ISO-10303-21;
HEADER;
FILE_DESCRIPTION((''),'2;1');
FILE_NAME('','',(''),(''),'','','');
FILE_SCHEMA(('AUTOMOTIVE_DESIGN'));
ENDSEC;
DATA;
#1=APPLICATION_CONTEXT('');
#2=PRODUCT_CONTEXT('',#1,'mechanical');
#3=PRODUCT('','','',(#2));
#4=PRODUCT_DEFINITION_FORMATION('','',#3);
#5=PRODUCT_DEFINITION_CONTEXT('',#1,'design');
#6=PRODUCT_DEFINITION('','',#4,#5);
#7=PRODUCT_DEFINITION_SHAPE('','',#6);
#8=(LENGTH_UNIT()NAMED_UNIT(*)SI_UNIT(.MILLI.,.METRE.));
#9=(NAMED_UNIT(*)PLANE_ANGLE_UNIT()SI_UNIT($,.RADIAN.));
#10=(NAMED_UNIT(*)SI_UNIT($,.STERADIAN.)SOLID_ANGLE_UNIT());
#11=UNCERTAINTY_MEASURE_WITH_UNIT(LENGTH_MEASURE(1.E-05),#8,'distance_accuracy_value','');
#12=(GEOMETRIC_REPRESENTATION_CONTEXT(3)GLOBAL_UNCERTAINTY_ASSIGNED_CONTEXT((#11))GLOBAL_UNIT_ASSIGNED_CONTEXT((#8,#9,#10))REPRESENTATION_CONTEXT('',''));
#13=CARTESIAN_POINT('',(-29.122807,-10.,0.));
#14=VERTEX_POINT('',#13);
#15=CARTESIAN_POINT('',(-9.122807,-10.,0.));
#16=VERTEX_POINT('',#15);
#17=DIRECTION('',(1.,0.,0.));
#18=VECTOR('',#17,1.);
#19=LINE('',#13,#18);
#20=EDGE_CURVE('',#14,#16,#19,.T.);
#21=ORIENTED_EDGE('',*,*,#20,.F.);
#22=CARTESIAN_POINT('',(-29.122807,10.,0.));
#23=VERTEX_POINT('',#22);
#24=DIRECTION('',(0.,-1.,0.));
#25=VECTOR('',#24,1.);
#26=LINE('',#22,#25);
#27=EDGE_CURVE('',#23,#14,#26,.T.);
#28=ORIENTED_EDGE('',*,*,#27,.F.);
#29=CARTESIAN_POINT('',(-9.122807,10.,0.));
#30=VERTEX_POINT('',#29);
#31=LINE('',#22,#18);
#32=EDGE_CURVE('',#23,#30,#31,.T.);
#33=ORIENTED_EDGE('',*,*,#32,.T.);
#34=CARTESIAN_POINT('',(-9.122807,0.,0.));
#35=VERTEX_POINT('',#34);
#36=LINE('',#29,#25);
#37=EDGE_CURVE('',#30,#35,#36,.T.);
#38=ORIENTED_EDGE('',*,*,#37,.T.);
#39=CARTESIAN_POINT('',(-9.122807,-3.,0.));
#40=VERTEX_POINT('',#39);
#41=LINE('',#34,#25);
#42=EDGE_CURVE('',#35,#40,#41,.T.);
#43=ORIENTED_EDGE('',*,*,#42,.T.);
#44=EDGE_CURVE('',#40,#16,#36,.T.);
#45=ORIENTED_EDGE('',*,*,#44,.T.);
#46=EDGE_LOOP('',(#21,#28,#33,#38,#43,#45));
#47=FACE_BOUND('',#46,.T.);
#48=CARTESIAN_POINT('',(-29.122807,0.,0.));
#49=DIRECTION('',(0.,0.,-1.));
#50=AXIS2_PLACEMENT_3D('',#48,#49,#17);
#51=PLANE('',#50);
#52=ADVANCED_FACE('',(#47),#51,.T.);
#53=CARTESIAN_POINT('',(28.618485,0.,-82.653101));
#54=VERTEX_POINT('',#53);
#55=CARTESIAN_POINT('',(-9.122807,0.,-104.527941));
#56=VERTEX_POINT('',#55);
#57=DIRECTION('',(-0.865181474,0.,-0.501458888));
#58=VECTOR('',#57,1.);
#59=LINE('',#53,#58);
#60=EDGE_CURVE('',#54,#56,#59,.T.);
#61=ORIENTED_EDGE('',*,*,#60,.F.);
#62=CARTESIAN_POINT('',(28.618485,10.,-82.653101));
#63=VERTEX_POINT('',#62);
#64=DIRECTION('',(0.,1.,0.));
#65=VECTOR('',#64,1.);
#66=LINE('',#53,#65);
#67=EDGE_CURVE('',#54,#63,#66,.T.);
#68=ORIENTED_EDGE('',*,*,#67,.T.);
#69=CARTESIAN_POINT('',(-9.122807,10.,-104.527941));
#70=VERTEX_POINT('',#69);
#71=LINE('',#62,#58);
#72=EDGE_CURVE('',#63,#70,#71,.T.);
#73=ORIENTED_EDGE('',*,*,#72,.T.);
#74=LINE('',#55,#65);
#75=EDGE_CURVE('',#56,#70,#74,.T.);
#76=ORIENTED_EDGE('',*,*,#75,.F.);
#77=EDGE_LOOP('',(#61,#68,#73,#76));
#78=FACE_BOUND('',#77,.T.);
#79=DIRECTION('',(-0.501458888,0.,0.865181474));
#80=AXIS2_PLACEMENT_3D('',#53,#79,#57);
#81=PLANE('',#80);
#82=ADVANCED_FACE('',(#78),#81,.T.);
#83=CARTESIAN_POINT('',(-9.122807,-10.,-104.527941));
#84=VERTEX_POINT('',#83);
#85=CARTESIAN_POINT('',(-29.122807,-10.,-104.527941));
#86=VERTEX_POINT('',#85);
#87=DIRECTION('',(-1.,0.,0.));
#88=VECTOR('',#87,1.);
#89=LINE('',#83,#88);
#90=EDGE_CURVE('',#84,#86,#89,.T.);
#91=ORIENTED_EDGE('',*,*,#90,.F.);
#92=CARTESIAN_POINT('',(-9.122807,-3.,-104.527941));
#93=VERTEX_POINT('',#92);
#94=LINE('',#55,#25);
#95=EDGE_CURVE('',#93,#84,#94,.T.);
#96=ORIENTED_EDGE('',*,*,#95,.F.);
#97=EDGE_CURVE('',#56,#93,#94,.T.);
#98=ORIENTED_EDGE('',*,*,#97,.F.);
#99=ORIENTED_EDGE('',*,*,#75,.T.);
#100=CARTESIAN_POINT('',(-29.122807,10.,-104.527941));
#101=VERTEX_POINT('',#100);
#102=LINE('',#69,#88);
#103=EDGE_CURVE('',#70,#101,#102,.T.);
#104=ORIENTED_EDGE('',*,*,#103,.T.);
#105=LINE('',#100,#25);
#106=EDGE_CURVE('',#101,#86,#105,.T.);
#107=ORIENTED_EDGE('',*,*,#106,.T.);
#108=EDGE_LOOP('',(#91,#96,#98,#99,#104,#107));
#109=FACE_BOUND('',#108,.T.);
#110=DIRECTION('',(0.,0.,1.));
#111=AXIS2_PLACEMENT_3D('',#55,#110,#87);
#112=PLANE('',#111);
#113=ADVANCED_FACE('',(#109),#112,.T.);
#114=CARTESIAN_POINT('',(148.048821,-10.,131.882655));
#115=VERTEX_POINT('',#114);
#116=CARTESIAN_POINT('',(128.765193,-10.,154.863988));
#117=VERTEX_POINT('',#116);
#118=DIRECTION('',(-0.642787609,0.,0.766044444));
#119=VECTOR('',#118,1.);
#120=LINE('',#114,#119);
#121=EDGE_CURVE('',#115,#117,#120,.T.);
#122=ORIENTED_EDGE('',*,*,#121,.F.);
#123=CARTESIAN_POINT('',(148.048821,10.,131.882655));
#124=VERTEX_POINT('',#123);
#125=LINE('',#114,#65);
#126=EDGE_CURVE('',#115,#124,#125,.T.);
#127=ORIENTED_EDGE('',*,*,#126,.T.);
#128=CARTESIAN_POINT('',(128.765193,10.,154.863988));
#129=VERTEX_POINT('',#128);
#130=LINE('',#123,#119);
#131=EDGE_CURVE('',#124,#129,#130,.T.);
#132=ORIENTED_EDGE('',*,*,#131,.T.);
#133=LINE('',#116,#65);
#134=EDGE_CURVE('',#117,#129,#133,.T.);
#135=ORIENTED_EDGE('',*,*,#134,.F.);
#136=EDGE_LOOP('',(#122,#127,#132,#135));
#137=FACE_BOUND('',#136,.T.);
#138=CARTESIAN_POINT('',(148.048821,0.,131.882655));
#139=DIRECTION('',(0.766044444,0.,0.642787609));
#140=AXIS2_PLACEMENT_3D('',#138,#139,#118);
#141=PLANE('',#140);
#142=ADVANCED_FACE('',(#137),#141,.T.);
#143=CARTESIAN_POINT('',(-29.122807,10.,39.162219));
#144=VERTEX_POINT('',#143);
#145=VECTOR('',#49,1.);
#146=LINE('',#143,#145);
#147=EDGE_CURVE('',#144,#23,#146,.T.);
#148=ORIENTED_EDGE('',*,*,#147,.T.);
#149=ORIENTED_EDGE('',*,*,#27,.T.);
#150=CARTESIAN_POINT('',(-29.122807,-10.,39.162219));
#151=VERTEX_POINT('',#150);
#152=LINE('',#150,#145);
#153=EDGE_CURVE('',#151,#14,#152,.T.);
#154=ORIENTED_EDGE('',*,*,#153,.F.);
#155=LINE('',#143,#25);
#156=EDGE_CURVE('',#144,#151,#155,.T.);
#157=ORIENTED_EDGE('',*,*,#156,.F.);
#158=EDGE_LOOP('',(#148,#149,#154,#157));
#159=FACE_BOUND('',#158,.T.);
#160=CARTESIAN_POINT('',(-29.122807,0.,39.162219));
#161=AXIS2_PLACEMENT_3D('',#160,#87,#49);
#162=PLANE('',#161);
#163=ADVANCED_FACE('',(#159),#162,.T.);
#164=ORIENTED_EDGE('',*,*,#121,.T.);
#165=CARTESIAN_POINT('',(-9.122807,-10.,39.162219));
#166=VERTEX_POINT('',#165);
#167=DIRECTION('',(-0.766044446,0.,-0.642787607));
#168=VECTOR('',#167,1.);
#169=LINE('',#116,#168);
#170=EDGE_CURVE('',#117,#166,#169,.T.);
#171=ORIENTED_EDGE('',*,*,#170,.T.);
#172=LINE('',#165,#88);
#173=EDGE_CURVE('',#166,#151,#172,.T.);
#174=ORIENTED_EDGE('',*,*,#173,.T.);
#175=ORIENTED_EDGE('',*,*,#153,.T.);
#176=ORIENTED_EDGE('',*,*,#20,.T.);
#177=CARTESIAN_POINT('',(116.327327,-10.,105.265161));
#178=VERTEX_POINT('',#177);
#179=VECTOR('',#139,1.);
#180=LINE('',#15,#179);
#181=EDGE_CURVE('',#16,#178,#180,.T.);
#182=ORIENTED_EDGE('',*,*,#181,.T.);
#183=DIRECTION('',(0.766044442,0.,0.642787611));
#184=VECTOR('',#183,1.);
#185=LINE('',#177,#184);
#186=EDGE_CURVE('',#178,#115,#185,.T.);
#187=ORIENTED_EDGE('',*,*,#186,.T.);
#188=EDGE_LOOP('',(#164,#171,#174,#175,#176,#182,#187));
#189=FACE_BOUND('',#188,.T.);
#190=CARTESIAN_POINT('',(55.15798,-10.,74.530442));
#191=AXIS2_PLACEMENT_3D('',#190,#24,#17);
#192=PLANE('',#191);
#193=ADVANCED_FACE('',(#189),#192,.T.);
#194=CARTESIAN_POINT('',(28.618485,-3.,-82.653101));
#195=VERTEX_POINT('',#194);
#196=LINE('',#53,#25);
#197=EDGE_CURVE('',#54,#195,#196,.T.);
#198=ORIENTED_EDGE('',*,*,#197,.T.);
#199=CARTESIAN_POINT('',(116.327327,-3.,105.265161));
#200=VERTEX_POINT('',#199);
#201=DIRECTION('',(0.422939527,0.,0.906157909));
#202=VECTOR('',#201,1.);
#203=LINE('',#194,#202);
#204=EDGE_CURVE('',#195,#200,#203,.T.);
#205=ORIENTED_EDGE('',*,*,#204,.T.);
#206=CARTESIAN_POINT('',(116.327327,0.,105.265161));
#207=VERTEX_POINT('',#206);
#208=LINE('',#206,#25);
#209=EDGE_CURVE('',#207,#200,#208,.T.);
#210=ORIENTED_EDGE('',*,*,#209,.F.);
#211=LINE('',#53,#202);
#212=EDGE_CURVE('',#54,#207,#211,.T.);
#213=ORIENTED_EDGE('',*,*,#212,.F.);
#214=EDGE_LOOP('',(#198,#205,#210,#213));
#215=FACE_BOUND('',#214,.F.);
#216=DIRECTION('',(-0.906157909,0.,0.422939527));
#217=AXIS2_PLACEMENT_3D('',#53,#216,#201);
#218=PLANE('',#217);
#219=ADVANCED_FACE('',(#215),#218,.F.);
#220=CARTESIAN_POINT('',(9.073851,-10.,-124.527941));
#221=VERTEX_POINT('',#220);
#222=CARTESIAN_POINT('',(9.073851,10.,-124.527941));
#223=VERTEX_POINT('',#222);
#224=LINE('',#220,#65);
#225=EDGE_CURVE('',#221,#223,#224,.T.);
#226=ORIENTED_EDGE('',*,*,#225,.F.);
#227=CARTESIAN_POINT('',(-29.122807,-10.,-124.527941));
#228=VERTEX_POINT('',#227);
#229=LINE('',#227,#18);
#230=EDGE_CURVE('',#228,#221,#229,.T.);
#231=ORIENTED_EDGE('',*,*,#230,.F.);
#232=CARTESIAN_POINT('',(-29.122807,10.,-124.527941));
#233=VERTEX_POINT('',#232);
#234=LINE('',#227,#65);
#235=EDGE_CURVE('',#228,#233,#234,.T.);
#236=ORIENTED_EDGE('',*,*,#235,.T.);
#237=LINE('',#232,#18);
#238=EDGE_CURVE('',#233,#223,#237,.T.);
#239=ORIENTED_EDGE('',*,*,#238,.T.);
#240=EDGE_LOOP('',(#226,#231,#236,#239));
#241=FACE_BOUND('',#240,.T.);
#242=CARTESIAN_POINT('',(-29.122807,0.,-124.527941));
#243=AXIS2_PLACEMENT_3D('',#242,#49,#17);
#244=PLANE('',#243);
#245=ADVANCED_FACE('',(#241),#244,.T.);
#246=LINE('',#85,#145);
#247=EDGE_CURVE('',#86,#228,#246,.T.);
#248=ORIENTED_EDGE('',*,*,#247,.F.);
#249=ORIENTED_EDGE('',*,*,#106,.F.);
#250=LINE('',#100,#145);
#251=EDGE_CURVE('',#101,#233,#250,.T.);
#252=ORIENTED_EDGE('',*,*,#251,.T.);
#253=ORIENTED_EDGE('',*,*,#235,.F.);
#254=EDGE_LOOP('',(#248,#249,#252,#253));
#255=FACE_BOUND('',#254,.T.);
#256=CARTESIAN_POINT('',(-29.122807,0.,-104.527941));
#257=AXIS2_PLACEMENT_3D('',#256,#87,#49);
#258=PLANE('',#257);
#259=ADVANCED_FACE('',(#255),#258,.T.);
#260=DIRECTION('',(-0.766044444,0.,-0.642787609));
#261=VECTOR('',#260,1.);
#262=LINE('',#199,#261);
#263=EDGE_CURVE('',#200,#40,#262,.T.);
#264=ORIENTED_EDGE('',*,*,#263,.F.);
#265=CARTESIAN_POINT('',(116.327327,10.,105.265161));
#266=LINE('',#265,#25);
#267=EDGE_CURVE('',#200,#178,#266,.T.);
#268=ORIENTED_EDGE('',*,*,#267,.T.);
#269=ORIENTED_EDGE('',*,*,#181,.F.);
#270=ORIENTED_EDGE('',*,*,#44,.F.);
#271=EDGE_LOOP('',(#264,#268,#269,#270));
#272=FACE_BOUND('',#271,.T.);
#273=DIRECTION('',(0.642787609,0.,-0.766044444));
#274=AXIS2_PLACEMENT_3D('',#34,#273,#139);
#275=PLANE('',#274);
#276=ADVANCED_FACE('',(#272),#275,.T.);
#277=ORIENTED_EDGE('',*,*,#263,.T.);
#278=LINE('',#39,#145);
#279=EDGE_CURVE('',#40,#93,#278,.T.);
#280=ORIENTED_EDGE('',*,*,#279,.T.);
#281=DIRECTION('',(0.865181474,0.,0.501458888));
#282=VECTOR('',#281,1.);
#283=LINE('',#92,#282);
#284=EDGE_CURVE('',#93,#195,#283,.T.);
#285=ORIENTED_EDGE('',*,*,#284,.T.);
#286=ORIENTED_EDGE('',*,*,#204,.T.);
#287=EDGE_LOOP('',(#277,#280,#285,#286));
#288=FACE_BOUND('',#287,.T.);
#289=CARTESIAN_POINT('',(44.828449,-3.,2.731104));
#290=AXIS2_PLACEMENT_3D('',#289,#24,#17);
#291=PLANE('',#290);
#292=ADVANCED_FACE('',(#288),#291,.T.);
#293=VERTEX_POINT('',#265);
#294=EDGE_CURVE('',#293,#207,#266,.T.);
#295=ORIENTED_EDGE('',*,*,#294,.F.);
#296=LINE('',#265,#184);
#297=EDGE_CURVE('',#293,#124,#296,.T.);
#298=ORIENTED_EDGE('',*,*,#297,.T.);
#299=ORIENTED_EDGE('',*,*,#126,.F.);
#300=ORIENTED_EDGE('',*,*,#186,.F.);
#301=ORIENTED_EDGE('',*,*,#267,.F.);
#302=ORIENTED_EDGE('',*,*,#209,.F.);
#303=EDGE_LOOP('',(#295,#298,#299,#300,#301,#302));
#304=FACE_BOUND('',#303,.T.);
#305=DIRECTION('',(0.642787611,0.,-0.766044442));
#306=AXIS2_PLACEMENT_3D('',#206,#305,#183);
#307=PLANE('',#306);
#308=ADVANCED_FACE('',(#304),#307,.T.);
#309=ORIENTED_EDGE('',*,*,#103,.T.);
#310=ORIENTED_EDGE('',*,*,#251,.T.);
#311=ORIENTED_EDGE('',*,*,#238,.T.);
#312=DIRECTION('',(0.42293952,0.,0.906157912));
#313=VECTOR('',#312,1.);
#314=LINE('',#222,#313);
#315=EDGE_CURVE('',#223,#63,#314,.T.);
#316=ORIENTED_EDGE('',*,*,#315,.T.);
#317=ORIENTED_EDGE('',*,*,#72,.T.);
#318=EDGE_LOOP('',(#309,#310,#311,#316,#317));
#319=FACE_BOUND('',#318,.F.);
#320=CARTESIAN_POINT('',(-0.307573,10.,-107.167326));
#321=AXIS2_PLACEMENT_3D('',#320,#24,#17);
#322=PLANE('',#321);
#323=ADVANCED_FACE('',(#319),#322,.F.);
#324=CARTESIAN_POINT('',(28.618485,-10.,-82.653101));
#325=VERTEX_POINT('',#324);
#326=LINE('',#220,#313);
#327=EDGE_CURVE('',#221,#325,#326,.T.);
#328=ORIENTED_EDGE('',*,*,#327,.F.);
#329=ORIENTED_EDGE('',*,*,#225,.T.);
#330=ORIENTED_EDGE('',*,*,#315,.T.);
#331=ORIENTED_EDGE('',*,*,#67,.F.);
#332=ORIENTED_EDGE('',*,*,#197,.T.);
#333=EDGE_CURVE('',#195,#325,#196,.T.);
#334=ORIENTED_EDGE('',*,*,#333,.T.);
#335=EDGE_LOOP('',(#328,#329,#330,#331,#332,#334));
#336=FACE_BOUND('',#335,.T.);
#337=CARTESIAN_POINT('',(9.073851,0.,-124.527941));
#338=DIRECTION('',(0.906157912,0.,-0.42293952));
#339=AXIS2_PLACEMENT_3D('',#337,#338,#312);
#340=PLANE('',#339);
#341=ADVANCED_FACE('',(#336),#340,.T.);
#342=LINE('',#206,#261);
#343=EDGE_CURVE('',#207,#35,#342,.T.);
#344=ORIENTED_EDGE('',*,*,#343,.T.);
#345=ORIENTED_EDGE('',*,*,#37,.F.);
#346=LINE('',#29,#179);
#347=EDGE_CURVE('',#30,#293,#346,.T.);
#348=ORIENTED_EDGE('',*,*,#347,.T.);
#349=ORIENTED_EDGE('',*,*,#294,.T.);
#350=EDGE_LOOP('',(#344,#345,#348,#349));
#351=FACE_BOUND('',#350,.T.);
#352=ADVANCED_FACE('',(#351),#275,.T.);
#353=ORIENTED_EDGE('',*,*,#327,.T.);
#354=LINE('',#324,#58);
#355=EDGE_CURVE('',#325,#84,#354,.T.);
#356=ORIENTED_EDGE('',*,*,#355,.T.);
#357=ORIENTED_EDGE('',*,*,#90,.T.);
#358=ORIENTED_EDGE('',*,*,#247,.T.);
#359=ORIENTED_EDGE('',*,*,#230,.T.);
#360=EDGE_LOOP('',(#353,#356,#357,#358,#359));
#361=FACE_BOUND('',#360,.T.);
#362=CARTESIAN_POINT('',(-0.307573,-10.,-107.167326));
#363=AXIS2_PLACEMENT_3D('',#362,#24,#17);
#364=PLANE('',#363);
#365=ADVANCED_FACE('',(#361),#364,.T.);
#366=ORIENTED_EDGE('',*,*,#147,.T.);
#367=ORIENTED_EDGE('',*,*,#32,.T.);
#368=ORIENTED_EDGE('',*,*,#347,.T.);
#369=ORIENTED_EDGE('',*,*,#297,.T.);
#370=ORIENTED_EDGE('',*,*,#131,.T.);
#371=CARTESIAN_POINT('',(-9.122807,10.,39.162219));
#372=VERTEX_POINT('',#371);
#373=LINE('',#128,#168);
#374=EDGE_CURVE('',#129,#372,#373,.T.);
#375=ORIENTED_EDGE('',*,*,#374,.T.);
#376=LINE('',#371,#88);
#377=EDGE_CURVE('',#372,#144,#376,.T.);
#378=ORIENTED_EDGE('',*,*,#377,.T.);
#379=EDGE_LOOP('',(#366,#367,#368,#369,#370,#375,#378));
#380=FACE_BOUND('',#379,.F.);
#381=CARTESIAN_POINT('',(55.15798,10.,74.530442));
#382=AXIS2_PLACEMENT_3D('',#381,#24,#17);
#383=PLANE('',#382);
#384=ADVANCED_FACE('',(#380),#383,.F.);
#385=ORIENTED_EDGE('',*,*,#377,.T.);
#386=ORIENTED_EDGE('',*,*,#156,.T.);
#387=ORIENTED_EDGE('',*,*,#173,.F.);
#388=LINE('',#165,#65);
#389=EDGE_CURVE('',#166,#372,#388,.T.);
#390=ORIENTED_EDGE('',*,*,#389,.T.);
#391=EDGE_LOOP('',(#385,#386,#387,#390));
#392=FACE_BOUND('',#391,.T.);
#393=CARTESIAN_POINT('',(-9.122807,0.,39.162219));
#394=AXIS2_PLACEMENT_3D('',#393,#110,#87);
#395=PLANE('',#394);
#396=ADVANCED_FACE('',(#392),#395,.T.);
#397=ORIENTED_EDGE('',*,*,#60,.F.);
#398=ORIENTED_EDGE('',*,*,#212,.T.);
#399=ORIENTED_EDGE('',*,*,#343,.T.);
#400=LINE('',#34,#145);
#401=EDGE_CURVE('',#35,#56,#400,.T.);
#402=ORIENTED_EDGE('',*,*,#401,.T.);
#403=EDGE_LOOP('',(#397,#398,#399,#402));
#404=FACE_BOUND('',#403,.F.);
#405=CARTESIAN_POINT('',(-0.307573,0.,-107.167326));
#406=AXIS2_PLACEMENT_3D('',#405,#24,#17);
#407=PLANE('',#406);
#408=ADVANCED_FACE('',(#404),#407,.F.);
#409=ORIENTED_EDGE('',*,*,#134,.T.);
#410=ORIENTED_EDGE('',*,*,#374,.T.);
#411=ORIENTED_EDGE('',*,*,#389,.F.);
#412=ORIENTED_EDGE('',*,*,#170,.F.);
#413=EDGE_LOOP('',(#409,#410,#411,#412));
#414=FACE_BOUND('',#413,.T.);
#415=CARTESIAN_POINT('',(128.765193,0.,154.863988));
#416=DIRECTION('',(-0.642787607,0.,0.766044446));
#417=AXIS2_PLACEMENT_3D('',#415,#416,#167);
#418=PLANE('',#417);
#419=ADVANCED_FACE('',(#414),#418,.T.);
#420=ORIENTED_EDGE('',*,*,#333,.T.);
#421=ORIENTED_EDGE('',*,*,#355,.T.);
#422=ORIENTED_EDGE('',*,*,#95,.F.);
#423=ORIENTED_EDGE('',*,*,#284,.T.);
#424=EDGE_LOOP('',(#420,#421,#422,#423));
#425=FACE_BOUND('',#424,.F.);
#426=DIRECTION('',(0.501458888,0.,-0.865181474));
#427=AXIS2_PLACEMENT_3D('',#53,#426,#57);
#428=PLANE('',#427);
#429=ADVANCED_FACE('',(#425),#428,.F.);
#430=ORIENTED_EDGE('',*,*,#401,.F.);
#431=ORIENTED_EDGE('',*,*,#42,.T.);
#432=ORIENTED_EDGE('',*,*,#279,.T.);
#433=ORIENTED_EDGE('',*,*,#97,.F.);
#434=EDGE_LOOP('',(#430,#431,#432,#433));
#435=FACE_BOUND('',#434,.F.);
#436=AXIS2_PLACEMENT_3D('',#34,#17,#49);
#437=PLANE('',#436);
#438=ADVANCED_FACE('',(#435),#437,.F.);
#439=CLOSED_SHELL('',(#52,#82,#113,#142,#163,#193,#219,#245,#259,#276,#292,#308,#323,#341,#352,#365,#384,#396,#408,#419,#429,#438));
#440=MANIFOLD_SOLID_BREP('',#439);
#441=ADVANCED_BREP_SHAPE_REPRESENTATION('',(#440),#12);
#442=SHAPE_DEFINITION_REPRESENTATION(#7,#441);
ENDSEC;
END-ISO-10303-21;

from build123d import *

# Parameters (mm, degrees)
F1_DEPTH      = 10
F1_DEPTH_BACK = 10
F2_DEPTH      = 3
F3_DEPTH      = 10
F3_DEPTH_BACK = 10


with BuildPart() as f1:
    # F0 (on Front) → F1 (new body, two sides)
    with BuildSketch(Plane.XZ) as f1_sk:
        Polygon((-9.122807, 39.162219), (-29.122807, 39.162219), (-29.122807, 0), (-9.122807, 0), (116.327327, 105.265161), (148.048821, 131.882655), (128.765193, 154.863988), align=None)
    extrude(amount=F1_DEPTH)
    extrude(f1_sk.sketch, amount=-F1_DEPTH_BACK)

    # F0 (on Front) → F2 (join)
    with BuildSketch(Plane.XZ):
        Polygon((116.327327, 105.265161), (-9.122807, 0), (-9.122807, -104.527941), (28.618485, -82.653101), align=None)
    extrude(amount=F2_DEPTH)

    # F0 (on Front) → F3 (join, two sides)
    with BuildSketch(Plane.XZ) as f3_sk:
        Polygon((28.618485, -82.653101), (-9.122807, -104.527941), (-29.122807, -104.527941), (-29.122807, -124.527941), (9.073851, -124.527941), align=None)
    extrude(amount=F3_DEPTH)
    extrude(f3_sk.sketch, amount=-F3_DEPTH_BACK)


solid = f1.part
